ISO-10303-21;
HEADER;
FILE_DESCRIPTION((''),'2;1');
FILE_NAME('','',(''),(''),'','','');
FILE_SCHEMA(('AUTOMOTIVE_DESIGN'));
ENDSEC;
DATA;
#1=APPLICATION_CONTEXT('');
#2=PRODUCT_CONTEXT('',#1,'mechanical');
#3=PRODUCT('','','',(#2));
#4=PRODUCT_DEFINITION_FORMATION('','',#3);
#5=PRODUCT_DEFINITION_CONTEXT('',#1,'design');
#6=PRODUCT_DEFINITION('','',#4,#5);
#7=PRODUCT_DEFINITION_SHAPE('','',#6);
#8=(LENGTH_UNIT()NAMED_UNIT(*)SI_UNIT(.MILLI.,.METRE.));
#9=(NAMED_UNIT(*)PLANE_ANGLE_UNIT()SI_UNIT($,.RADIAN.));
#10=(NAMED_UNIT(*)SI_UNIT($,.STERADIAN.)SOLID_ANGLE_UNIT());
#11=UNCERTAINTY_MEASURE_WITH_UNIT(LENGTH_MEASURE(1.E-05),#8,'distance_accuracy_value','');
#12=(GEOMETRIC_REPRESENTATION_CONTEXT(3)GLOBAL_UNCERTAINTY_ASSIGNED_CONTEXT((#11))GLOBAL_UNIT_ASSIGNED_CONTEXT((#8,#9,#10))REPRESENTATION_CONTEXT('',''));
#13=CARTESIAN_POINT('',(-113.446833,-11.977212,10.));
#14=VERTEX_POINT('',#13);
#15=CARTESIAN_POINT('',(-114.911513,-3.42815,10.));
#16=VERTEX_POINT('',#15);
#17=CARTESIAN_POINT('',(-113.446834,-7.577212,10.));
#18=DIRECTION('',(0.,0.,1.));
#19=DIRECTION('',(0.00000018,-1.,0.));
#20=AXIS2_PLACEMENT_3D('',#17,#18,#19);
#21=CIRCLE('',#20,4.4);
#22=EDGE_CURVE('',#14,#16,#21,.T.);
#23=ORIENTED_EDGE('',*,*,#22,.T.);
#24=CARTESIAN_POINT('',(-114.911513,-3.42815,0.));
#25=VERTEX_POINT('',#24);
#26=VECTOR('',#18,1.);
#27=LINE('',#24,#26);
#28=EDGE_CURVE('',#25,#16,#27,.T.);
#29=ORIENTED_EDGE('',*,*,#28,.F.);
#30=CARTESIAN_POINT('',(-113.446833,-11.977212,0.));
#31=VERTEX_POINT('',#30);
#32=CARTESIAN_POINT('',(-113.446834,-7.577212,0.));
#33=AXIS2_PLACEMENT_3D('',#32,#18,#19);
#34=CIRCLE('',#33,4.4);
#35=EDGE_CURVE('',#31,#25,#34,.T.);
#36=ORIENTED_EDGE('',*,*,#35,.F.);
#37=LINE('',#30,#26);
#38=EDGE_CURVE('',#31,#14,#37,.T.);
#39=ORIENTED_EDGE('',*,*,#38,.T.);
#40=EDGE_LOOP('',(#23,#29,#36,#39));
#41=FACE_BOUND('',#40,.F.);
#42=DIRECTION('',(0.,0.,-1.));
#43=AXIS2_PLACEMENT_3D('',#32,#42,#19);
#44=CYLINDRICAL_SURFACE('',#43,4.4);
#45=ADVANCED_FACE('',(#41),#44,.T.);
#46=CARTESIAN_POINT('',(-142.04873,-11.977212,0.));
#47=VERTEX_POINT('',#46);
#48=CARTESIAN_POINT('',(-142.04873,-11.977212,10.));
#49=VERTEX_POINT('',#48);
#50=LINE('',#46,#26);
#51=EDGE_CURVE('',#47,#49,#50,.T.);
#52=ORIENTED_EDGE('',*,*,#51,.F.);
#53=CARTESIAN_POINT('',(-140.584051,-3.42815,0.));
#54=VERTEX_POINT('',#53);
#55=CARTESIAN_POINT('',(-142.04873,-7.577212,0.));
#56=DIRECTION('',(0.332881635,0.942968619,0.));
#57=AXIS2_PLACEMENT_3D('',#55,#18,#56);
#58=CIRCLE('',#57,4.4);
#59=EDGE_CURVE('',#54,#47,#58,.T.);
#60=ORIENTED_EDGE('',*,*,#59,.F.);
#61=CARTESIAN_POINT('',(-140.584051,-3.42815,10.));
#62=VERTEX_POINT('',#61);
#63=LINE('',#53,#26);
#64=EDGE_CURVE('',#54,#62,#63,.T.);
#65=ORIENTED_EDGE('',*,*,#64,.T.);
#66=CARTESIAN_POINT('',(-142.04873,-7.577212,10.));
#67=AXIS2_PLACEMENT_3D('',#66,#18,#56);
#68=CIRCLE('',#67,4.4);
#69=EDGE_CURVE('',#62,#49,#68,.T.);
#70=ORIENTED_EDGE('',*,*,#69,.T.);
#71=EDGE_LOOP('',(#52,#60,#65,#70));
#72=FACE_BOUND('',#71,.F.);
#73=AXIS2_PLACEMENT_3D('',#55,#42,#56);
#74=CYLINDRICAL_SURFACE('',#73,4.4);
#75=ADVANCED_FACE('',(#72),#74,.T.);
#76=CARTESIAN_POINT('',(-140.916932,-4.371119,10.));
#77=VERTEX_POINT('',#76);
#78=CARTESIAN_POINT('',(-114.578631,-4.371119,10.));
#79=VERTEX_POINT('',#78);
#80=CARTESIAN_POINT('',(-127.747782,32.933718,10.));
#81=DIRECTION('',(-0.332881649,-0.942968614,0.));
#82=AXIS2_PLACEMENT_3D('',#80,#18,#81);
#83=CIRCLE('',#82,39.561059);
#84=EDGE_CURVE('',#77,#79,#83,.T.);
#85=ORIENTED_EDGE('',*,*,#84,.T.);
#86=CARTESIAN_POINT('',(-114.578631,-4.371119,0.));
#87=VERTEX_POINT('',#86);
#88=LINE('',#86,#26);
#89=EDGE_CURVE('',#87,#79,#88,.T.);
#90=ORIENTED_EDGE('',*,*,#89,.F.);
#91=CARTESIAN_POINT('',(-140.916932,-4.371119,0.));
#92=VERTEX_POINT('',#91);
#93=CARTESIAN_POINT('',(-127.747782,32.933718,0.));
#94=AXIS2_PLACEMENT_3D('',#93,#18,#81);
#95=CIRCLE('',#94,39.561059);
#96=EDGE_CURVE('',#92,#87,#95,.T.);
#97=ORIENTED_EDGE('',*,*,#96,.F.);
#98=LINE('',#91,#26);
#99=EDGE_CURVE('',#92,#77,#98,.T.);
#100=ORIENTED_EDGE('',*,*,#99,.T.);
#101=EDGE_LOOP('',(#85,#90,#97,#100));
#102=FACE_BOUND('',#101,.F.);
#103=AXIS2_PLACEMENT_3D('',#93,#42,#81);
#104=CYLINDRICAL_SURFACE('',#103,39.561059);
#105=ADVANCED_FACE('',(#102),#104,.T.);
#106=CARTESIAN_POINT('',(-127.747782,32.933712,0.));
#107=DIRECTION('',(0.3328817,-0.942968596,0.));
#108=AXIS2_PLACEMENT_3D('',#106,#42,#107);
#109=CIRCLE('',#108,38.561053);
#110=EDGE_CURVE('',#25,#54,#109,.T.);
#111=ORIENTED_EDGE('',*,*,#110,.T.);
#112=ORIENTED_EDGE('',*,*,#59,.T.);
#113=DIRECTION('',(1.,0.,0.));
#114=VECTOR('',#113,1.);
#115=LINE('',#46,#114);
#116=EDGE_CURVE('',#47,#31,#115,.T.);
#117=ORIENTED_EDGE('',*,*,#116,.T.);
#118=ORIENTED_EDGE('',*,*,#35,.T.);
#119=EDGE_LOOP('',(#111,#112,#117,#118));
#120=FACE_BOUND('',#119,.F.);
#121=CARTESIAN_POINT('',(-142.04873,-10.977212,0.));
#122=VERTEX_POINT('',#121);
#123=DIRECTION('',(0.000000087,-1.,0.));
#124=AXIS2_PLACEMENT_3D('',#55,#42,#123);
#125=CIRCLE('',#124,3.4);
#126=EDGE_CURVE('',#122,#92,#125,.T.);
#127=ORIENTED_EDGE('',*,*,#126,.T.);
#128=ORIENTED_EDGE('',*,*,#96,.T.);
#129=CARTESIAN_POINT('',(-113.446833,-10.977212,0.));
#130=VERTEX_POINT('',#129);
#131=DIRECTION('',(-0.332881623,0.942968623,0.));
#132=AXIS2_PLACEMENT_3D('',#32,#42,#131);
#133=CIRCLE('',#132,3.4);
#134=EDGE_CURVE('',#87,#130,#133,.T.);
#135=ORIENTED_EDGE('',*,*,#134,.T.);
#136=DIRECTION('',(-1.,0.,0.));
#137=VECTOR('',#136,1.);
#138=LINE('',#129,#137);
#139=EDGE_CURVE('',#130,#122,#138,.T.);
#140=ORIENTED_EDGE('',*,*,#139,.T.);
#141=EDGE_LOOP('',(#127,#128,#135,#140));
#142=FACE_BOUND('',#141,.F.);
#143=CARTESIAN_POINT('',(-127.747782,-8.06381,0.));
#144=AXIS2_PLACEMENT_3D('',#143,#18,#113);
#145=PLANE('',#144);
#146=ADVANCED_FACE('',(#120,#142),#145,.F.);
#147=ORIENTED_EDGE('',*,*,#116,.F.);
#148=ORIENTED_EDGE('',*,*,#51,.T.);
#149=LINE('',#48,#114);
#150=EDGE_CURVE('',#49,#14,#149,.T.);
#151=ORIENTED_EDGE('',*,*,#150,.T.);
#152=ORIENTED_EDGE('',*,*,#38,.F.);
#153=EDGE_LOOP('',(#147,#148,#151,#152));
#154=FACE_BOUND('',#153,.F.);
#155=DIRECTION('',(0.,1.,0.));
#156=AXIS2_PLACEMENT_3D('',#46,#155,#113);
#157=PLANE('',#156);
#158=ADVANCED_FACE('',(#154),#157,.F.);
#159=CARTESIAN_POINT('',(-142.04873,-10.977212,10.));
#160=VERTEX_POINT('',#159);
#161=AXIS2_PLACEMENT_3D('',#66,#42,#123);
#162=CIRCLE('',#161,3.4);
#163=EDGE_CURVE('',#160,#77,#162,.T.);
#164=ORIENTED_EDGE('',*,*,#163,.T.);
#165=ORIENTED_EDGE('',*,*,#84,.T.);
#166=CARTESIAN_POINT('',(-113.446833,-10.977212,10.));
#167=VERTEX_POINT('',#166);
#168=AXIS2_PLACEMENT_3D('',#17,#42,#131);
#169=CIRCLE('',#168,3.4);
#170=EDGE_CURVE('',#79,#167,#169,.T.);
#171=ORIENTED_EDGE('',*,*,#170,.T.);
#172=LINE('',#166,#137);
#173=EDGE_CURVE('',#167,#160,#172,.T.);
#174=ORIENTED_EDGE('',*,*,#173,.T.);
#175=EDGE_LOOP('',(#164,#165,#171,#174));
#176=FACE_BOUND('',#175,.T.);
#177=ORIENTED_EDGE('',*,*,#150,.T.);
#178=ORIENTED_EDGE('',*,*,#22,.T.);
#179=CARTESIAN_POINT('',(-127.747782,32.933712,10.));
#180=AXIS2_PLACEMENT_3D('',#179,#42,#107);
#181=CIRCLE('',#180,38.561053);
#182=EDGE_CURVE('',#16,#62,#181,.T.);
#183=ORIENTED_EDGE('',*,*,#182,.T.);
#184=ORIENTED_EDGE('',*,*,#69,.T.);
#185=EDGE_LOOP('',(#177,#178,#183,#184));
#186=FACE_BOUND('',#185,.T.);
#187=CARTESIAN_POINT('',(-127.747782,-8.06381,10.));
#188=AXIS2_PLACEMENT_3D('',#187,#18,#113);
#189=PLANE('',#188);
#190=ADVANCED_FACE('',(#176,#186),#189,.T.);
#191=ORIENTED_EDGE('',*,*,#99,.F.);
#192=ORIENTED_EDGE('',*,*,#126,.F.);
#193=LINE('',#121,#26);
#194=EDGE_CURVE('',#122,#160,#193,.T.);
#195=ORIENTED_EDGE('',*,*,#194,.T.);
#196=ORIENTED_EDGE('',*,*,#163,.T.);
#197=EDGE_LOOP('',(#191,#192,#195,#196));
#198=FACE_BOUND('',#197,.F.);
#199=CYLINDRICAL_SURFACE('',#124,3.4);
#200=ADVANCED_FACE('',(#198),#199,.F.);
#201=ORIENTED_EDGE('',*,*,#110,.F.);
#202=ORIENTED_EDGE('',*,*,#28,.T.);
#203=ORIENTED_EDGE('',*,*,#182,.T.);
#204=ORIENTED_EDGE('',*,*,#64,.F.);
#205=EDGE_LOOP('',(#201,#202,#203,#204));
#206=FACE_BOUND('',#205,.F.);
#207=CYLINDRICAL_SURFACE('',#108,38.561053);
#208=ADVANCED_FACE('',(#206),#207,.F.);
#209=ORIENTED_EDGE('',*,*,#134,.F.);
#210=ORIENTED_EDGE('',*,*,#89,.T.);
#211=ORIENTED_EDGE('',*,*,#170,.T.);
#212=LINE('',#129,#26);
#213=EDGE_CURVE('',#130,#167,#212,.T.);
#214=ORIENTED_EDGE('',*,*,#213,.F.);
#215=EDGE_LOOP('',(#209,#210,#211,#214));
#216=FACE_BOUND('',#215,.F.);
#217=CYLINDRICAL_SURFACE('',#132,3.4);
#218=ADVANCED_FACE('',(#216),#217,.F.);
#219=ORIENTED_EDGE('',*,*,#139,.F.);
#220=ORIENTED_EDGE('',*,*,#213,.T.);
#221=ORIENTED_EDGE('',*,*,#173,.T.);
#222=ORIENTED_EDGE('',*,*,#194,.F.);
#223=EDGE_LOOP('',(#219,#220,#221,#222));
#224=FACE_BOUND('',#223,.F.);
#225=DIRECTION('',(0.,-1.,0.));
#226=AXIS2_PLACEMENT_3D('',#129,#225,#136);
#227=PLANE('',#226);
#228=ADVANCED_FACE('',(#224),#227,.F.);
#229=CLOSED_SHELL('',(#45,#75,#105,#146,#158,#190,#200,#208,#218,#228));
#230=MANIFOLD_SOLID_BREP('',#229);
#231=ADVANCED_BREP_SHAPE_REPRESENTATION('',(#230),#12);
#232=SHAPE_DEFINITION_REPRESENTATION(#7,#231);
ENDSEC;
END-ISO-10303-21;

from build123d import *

# Parameters (mm, degrees)
F1_DEPTH = 10


with BuildPart() as f1:
    # F0 (on Top) → F1 (new body)
    with BuildSketch(Plane.XY):
        with BuildLine():
            ThreePointArc((-114.911513, -3.42815), (-127.747782, -5.627341), (-140.584051, -3.42815))
            ThreePointArc((-140.584051, -3.42815), (-146.385542, -6.834202), (-142.04873, -11.977212))
            Line((-142.04873, -11.977212), (-113.446833, -11.977212))
            ThreePointArc((-113.446833, -11.977212), (-109.110022, -6.834202), (-114.911513, -3.42815))
        make_face()
        with BuildLine():
            Line((-113.446833, -10.977212), (-142.04873, -10.977212))
            ThreePointArc((-142.04873, -10.977212), (-145.399903, -7.003068), (-140.916932, -4.371119))
            ThreePointArc((-140.916932, -4.371119), (-127.747782, -6.627341), (-114.578631, -4.371119))
            ThreePointArc((-114.578631, -4.371119), (-110.095661, -7.003068), (-113.446833, -10.977212))
        make_face(mode=Mode.SUBTRACT)
    extrude(amount=F1_DEPTH)


solid = f1.part
